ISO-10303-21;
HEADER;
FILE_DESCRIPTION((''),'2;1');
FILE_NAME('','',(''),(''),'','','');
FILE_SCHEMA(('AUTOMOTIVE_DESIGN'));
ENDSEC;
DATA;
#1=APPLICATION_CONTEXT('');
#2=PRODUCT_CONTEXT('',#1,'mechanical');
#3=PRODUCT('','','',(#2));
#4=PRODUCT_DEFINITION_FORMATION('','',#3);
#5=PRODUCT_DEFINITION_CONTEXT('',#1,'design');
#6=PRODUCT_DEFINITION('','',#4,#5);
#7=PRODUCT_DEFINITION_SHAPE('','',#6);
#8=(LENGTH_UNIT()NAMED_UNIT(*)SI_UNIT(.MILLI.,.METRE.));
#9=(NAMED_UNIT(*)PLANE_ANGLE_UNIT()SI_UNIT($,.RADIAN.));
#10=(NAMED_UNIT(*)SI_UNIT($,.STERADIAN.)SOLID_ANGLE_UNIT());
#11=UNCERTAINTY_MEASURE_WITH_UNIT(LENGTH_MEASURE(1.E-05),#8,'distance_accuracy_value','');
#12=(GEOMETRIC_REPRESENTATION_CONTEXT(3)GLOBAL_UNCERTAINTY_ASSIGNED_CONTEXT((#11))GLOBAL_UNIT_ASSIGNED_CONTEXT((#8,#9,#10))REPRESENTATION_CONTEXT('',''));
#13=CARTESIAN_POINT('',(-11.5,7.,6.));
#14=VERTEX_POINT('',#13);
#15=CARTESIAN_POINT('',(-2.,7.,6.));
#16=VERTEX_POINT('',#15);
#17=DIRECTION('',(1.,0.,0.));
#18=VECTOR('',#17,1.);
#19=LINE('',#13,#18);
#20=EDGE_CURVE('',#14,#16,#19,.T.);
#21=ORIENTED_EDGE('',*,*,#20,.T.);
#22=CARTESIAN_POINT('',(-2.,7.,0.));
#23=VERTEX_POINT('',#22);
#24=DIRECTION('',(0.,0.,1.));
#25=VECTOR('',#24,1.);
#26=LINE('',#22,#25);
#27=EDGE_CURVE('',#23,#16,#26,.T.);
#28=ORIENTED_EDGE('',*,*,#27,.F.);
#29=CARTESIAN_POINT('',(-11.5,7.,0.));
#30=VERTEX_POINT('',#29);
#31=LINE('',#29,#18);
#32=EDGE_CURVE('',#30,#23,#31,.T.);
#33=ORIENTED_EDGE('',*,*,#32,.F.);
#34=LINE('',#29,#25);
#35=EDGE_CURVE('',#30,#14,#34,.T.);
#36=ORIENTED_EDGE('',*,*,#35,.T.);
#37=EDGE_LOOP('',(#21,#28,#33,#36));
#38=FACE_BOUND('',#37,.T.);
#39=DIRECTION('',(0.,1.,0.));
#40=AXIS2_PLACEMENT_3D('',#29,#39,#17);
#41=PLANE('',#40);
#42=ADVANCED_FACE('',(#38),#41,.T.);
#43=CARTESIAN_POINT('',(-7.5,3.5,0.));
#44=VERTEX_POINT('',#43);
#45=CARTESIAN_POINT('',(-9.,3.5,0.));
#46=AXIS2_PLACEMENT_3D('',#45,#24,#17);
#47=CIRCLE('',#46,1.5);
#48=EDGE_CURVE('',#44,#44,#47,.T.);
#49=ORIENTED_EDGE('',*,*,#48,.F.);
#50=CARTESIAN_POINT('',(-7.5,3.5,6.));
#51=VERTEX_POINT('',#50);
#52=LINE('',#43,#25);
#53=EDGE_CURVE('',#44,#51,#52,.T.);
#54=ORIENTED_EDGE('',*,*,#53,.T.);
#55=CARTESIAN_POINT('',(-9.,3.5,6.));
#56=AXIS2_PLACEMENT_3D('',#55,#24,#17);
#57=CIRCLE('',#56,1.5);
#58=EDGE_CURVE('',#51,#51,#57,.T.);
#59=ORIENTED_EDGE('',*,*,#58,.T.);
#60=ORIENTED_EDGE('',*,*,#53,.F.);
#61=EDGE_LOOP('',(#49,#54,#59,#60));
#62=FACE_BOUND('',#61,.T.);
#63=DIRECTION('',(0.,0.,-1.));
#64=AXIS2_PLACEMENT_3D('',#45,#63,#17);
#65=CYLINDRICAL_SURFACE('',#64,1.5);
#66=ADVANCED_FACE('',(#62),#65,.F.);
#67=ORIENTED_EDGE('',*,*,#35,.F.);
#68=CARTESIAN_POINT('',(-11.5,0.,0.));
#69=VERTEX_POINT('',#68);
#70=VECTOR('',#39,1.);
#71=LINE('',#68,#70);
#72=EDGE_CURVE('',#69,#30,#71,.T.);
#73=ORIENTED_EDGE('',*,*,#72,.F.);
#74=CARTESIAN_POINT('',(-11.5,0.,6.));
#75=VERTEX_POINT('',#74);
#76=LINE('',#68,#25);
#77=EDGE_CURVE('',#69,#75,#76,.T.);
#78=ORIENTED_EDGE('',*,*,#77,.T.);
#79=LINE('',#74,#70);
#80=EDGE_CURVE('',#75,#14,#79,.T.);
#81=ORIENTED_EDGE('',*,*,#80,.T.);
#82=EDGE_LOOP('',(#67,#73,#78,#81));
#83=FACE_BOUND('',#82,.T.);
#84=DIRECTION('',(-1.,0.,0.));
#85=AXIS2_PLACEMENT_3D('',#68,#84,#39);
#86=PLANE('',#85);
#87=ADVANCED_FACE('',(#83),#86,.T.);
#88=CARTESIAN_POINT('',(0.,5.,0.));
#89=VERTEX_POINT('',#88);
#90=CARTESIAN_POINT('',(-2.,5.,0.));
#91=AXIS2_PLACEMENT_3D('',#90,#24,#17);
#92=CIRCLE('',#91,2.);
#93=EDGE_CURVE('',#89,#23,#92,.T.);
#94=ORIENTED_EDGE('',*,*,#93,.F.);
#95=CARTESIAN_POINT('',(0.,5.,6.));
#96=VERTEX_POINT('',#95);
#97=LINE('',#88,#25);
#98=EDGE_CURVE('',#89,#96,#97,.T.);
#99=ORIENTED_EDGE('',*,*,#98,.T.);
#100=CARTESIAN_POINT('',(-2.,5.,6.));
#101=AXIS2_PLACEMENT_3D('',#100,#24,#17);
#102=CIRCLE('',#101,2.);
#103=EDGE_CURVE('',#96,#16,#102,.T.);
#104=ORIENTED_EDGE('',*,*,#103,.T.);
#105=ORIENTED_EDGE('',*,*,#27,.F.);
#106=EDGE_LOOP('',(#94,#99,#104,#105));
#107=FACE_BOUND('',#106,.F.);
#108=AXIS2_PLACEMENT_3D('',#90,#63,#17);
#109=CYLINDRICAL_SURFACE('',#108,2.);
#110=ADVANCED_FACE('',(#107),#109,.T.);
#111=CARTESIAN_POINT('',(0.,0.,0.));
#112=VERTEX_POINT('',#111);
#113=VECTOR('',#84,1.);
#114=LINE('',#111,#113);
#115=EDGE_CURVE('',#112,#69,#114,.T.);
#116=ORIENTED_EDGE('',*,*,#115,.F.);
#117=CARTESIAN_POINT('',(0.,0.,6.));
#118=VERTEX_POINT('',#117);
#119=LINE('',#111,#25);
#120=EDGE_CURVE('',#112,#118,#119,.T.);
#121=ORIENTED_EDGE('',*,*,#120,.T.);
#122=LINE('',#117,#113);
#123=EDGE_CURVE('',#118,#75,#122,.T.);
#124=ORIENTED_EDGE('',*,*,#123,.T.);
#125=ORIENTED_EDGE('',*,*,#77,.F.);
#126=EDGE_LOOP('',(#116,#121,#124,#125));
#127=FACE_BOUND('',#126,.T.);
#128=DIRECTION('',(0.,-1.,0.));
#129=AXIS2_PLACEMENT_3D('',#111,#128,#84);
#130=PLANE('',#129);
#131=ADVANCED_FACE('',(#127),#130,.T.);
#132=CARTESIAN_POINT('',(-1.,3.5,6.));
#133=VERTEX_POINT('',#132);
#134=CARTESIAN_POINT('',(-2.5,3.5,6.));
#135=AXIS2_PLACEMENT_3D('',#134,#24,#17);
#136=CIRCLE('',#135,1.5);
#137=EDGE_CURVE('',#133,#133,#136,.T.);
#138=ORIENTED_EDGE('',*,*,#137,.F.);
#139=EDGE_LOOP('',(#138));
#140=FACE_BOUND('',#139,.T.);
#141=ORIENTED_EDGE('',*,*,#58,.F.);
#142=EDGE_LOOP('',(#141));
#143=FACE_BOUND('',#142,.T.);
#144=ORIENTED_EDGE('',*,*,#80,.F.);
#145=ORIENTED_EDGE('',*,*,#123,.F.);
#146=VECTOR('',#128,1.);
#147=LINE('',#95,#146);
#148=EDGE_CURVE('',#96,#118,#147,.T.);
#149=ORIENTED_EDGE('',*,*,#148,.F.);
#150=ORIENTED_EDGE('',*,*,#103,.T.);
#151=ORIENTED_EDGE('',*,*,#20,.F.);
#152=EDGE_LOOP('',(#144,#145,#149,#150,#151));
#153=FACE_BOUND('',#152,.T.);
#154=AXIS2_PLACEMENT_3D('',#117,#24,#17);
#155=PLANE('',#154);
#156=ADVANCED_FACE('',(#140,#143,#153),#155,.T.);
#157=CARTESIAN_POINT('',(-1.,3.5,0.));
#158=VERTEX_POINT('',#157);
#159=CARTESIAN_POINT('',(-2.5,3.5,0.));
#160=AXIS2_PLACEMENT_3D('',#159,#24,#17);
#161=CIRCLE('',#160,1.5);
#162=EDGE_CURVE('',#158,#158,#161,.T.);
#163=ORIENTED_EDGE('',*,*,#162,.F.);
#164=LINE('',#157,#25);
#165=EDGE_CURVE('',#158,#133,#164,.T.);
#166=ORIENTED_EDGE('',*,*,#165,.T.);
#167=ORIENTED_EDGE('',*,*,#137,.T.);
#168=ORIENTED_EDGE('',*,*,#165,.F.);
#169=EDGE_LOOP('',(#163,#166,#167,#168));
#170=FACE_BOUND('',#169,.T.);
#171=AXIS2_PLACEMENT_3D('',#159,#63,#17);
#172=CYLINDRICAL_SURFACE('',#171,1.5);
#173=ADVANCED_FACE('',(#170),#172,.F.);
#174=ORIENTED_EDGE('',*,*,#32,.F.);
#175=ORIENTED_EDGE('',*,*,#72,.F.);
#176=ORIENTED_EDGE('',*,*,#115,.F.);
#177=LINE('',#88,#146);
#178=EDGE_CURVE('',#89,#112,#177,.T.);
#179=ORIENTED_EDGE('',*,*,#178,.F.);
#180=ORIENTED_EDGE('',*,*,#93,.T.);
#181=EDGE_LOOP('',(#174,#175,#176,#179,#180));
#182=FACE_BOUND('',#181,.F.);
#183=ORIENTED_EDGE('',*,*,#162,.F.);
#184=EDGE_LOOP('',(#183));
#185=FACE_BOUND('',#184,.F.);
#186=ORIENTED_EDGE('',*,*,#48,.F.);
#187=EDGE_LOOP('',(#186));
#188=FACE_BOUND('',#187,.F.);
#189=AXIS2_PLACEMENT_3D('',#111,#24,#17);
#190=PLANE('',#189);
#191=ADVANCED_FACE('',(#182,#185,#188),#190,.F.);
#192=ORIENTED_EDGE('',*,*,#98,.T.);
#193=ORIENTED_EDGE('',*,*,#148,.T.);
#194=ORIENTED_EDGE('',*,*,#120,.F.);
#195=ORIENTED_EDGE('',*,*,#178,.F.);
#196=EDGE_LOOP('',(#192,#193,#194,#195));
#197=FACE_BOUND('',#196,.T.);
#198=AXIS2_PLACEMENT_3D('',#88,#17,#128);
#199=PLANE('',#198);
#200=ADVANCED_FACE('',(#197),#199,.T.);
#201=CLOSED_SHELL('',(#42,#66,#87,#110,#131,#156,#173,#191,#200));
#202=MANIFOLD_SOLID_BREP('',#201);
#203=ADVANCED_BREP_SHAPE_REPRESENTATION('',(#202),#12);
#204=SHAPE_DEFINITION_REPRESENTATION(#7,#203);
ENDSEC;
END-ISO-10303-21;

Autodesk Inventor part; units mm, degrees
ref_plane "YZ Plane" through (0, 0, 0) normal (1, 0, 0) x (0, 1, 0)
ref_plane "XZ Plane" through (0, 0, 0) normal (0, 1, 0) x (-1, 0, 0)
ref_plane "XY Plane" through (0, 0, 0) normal (0, 0, 1) x (1, 0, 0)
sketch "Sketch1" plane through (0, 0, 0) normal (0, 0, 1) x (1, 0, 0)
  circle A0 centre (-9, 3.5) radius 1.5
  circle A1 centre (-2.5, 3.5) radius 1.5
  line L0 (0, 0) -> (-11.5, 0)
  line L1 (0, 5) -> (0, 0)
  arc A2 (0, 5) -> (-2, 7) centre (-2, 5) ccw
  line L2 (-11.5, 7) -> (-2, 7)
  line L3 (-11.5, 0) -> (-11.5, 7)
extrude "Extrusion1" add sketch "Sketch1" along normal blind 6
properties part number "yCarMid_c"
